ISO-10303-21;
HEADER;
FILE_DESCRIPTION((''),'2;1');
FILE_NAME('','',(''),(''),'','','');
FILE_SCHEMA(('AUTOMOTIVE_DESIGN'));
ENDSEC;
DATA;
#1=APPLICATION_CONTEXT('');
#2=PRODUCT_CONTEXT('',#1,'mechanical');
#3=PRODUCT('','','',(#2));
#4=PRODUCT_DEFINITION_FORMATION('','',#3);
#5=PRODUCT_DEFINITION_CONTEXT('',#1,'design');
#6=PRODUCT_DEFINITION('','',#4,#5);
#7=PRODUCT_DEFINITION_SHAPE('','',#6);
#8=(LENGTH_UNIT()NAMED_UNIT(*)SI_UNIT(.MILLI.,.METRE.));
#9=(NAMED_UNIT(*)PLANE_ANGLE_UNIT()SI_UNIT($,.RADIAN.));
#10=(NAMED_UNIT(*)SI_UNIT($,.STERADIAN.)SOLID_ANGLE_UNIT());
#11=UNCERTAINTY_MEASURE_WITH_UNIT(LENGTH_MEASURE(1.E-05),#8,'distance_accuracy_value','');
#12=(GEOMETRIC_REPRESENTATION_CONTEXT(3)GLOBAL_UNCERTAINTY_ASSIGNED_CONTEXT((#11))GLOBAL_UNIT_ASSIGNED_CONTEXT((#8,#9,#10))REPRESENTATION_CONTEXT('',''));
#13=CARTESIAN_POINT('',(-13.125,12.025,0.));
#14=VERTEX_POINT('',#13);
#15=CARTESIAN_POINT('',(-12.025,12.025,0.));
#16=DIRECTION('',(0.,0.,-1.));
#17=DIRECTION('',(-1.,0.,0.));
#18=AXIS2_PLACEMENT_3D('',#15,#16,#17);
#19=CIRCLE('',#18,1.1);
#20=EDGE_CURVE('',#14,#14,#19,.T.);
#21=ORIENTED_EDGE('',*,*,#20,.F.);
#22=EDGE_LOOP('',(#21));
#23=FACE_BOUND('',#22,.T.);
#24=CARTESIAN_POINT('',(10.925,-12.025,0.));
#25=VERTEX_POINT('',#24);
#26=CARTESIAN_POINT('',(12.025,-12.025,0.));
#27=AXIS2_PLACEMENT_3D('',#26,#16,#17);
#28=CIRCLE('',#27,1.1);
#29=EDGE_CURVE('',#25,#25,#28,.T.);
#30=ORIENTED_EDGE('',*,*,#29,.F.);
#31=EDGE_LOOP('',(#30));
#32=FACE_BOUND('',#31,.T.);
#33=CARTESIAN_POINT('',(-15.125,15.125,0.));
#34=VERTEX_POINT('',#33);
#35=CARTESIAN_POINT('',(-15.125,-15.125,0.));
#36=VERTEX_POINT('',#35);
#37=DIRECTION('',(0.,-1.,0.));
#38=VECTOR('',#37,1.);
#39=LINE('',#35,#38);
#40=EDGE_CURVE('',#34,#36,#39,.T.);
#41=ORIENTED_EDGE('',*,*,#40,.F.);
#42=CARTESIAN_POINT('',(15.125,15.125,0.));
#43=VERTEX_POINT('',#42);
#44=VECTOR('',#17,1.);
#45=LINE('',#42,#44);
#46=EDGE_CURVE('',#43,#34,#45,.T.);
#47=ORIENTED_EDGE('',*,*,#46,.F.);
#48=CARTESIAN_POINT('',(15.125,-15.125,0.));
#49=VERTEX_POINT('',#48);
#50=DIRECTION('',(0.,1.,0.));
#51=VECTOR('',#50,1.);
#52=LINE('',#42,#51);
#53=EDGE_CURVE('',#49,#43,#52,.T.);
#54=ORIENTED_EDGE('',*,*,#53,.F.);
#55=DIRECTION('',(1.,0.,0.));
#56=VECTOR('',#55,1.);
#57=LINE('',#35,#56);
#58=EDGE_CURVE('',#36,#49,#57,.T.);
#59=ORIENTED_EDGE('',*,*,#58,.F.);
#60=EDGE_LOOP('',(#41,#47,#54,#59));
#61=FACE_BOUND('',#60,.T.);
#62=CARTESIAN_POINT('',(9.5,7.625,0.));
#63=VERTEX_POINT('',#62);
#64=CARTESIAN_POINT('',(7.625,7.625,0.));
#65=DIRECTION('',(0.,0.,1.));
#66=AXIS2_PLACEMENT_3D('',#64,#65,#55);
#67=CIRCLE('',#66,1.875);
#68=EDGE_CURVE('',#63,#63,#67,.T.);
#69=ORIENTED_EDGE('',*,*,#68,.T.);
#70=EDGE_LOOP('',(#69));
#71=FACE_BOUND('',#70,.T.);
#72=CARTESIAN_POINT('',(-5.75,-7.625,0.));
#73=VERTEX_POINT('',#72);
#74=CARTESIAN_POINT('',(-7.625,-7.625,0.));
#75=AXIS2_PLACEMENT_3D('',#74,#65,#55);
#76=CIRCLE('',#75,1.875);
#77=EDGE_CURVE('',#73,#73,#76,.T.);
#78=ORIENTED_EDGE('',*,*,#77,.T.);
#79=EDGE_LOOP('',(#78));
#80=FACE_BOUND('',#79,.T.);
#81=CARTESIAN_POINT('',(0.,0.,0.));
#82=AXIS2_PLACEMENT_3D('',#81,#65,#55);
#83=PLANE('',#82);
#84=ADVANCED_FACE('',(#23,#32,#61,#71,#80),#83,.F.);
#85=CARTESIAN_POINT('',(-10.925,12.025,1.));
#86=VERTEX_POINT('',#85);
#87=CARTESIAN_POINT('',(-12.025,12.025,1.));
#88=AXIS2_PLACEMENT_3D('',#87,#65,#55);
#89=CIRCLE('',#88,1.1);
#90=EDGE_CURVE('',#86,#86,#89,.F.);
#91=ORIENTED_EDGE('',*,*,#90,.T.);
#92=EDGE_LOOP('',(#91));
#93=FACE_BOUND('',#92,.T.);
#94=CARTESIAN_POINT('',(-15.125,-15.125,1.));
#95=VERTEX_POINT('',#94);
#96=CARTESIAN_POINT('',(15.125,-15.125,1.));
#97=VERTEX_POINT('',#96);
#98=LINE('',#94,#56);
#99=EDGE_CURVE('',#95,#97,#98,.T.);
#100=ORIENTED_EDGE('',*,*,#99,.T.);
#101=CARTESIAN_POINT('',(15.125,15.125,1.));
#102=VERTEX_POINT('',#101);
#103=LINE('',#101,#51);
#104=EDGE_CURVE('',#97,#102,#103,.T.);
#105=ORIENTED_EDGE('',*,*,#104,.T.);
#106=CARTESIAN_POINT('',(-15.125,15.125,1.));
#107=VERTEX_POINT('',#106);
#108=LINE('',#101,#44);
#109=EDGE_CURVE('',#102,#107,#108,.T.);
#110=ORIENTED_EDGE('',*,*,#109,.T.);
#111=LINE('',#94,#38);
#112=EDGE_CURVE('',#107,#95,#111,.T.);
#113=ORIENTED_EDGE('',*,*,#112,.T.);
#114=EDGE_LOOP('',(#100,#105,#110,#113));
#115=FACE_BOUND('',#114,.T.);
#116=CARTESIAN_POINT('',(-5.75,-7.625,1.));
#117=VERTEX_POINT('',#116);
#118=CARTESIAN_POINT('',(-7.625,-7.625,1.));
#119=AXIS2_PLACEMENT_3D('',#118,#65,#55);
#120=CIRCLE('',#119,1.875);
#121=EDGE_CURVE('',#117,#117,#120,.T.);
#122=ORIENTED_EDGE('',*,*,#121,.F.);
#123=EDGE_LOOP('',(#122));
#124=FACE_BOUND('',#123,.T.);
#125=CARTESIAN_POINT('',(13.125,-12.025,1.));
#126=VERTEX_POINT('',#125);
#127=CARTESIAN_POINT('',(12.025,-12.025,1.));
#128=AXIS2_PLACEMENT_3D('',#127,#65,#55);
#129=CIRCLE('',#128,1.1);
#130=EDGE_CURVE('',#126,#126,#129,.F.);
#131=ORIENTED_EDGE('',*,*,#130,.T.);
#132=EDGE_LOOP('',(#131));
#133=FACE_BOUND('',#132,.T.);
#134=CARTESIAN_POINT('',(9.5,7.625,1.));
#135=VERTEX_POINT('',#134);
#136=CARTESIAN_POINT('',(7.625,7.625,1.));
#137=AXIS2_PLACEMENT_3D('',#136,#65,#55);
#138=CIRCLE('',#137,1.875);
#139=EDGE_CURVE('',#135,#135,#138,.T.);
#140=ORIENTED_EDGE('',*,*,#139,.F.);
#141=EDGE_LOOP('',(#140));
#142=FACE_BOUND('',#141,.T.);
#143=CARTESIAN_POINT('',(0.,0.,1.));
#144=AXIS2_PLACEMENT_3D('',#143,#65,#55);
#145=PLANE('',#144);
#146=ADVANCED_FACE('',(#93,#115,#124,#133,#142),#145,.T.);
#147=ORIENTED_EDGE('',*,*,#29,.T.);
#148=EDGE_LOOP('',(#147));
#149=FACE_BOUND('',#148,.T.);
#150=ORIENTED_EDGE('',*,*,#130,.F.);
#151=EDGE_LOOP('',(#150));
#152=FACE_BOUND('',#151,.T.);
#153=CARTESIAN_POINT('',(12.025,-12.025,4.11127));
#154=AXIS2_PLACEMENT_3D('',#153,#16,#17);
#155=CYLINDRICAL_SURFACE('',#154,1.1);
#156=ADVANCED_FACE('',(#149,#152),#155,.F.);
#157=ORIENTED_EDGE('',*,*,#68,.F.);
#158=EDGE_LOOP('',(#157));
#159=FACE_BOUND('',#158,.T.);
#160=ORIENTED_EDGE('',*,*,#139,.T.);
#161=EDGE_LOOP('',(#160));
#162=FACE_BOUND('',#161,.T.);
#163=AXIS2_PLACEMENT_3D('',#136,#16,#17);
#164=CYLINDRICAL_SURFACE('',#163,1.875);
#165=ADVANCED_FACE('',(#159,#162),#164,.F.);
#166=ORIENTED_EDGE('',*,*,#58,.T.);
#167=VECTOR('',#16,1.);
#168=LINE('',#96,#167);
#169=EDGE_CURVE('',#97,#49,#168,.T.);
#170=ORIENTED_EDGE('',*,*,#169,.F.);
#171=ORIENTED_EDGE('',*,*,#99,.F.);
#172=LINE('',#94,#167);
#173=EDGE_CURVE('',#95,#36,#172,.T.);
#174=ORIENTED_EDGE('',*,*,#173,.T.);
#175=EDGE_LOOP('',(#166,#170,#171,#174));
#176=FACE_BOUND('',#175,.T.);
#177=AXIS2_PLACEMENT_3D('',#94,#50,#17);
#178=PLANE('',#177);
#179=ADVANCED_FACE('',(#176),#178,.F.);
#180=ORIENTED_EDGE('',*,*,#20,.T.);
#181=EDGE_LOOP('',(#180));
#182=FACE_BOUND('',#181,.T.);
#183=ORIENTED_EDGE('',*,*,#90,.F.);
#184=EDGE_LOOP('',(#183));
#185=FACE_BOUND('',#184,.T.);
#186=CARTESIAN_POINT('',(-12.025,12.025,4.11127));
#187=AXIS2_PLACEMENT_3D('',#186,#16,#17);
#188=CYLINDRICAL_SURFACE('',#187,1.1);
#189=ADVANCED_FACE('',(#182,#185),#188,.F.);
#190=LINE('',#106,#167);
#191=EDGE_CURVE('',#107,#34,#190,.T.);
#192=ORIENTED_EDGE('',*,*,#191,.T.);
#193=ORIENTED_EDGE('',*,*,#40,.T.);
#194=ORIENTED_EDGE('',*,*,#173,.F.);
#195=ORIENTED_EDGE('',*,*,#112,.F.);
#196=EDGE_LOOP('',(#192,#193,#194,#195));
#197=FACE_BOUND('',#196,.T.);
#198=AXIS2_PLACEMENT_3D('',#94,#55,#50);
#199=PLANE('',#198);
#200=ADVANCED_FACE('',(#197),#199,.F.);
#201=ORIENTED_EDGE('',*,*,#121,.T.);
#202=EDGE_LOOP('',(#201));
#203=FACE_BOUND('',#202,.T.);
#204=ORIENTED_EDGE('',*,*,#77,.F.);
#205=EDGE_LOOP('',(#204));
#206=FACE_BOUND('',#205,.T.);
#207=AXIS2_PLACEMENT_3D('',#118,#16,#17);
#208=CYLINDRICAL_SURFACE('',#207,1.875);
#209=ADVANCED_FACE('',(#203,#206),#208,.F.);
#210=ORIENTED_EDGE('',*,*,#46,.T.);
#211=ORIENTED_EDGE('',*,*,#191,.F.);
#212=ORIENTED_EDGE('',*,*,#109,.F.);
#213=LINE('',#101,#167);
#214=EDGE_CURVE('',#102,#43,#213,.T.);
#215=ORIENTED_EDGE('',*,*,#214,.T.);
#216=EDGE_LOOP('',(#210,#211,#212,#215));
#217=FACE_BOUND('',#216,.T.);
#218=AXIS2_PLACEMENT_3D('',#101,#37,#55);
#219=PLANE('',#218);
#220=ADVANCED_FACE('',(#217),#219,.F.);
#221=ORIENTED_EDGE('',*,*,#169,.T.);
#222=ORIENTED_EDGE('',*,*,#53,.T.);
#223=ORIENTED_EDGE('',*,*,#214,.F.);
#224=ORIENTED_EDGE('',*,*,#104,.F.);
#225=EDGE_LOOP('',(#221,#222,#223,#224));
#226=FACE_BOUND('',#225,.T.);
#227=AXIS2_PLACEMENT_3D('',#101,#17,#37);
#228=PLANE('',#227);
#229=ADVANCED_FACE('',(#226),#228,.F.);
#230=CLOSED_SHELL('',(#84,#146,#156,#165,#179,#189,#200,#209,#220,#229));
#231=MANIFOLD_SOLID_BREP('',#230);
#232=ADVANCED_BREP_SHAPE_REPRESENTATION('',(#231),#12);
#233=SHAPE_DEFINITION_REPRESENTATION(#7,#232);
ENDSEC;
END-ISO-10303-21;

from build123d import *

# Parameters (mm, degrees)
SKETCH1_W           = 30.25
SKETCH1_H           = 30.25
SKETCH1_R           = 1.875
BOSS_EXTRUDE1_DEPTH = 1
SKETCH3_R           = 1.1
CUT_EXTRUDE1_DEPTH  = 1


with BuildPart() as part:
    # Sketch1 → Boss-Extrude1 (new body)
    with BuildSketch(Plane.XY):
        Rectangle(SKETCH1_W, SKETCH1_H)
        with Locations((-7.625, -7.625)):
            Circle(SKETCH1_R, mode=Mode.SUBTRACT)
        with Locations((7.625, 7.625)):
            Circle(SKETCH1_R, mode=Mode.SUBTRACT)
    extrude(amount=BOSS_EXTRUDE1_DEPTH)

    # Sketch3 → Cut-Extrude1 (cut)
    with BuildSketch(Plane(origin=(0, 0, 0), x_dir=(-1, 0, 0), z_dir=(0, 0, -1))):
        with Locations((12.025, 12.025)):
            Circle(SKETCH3_R)
        with Locations((-12.025, -12.025)):
            Circle(SKETCH3_R)
    extrude(amount=-CUT_EXTRUDE1_DEPTH, mode=Mode.SUBTRACT)


solid = part.part
